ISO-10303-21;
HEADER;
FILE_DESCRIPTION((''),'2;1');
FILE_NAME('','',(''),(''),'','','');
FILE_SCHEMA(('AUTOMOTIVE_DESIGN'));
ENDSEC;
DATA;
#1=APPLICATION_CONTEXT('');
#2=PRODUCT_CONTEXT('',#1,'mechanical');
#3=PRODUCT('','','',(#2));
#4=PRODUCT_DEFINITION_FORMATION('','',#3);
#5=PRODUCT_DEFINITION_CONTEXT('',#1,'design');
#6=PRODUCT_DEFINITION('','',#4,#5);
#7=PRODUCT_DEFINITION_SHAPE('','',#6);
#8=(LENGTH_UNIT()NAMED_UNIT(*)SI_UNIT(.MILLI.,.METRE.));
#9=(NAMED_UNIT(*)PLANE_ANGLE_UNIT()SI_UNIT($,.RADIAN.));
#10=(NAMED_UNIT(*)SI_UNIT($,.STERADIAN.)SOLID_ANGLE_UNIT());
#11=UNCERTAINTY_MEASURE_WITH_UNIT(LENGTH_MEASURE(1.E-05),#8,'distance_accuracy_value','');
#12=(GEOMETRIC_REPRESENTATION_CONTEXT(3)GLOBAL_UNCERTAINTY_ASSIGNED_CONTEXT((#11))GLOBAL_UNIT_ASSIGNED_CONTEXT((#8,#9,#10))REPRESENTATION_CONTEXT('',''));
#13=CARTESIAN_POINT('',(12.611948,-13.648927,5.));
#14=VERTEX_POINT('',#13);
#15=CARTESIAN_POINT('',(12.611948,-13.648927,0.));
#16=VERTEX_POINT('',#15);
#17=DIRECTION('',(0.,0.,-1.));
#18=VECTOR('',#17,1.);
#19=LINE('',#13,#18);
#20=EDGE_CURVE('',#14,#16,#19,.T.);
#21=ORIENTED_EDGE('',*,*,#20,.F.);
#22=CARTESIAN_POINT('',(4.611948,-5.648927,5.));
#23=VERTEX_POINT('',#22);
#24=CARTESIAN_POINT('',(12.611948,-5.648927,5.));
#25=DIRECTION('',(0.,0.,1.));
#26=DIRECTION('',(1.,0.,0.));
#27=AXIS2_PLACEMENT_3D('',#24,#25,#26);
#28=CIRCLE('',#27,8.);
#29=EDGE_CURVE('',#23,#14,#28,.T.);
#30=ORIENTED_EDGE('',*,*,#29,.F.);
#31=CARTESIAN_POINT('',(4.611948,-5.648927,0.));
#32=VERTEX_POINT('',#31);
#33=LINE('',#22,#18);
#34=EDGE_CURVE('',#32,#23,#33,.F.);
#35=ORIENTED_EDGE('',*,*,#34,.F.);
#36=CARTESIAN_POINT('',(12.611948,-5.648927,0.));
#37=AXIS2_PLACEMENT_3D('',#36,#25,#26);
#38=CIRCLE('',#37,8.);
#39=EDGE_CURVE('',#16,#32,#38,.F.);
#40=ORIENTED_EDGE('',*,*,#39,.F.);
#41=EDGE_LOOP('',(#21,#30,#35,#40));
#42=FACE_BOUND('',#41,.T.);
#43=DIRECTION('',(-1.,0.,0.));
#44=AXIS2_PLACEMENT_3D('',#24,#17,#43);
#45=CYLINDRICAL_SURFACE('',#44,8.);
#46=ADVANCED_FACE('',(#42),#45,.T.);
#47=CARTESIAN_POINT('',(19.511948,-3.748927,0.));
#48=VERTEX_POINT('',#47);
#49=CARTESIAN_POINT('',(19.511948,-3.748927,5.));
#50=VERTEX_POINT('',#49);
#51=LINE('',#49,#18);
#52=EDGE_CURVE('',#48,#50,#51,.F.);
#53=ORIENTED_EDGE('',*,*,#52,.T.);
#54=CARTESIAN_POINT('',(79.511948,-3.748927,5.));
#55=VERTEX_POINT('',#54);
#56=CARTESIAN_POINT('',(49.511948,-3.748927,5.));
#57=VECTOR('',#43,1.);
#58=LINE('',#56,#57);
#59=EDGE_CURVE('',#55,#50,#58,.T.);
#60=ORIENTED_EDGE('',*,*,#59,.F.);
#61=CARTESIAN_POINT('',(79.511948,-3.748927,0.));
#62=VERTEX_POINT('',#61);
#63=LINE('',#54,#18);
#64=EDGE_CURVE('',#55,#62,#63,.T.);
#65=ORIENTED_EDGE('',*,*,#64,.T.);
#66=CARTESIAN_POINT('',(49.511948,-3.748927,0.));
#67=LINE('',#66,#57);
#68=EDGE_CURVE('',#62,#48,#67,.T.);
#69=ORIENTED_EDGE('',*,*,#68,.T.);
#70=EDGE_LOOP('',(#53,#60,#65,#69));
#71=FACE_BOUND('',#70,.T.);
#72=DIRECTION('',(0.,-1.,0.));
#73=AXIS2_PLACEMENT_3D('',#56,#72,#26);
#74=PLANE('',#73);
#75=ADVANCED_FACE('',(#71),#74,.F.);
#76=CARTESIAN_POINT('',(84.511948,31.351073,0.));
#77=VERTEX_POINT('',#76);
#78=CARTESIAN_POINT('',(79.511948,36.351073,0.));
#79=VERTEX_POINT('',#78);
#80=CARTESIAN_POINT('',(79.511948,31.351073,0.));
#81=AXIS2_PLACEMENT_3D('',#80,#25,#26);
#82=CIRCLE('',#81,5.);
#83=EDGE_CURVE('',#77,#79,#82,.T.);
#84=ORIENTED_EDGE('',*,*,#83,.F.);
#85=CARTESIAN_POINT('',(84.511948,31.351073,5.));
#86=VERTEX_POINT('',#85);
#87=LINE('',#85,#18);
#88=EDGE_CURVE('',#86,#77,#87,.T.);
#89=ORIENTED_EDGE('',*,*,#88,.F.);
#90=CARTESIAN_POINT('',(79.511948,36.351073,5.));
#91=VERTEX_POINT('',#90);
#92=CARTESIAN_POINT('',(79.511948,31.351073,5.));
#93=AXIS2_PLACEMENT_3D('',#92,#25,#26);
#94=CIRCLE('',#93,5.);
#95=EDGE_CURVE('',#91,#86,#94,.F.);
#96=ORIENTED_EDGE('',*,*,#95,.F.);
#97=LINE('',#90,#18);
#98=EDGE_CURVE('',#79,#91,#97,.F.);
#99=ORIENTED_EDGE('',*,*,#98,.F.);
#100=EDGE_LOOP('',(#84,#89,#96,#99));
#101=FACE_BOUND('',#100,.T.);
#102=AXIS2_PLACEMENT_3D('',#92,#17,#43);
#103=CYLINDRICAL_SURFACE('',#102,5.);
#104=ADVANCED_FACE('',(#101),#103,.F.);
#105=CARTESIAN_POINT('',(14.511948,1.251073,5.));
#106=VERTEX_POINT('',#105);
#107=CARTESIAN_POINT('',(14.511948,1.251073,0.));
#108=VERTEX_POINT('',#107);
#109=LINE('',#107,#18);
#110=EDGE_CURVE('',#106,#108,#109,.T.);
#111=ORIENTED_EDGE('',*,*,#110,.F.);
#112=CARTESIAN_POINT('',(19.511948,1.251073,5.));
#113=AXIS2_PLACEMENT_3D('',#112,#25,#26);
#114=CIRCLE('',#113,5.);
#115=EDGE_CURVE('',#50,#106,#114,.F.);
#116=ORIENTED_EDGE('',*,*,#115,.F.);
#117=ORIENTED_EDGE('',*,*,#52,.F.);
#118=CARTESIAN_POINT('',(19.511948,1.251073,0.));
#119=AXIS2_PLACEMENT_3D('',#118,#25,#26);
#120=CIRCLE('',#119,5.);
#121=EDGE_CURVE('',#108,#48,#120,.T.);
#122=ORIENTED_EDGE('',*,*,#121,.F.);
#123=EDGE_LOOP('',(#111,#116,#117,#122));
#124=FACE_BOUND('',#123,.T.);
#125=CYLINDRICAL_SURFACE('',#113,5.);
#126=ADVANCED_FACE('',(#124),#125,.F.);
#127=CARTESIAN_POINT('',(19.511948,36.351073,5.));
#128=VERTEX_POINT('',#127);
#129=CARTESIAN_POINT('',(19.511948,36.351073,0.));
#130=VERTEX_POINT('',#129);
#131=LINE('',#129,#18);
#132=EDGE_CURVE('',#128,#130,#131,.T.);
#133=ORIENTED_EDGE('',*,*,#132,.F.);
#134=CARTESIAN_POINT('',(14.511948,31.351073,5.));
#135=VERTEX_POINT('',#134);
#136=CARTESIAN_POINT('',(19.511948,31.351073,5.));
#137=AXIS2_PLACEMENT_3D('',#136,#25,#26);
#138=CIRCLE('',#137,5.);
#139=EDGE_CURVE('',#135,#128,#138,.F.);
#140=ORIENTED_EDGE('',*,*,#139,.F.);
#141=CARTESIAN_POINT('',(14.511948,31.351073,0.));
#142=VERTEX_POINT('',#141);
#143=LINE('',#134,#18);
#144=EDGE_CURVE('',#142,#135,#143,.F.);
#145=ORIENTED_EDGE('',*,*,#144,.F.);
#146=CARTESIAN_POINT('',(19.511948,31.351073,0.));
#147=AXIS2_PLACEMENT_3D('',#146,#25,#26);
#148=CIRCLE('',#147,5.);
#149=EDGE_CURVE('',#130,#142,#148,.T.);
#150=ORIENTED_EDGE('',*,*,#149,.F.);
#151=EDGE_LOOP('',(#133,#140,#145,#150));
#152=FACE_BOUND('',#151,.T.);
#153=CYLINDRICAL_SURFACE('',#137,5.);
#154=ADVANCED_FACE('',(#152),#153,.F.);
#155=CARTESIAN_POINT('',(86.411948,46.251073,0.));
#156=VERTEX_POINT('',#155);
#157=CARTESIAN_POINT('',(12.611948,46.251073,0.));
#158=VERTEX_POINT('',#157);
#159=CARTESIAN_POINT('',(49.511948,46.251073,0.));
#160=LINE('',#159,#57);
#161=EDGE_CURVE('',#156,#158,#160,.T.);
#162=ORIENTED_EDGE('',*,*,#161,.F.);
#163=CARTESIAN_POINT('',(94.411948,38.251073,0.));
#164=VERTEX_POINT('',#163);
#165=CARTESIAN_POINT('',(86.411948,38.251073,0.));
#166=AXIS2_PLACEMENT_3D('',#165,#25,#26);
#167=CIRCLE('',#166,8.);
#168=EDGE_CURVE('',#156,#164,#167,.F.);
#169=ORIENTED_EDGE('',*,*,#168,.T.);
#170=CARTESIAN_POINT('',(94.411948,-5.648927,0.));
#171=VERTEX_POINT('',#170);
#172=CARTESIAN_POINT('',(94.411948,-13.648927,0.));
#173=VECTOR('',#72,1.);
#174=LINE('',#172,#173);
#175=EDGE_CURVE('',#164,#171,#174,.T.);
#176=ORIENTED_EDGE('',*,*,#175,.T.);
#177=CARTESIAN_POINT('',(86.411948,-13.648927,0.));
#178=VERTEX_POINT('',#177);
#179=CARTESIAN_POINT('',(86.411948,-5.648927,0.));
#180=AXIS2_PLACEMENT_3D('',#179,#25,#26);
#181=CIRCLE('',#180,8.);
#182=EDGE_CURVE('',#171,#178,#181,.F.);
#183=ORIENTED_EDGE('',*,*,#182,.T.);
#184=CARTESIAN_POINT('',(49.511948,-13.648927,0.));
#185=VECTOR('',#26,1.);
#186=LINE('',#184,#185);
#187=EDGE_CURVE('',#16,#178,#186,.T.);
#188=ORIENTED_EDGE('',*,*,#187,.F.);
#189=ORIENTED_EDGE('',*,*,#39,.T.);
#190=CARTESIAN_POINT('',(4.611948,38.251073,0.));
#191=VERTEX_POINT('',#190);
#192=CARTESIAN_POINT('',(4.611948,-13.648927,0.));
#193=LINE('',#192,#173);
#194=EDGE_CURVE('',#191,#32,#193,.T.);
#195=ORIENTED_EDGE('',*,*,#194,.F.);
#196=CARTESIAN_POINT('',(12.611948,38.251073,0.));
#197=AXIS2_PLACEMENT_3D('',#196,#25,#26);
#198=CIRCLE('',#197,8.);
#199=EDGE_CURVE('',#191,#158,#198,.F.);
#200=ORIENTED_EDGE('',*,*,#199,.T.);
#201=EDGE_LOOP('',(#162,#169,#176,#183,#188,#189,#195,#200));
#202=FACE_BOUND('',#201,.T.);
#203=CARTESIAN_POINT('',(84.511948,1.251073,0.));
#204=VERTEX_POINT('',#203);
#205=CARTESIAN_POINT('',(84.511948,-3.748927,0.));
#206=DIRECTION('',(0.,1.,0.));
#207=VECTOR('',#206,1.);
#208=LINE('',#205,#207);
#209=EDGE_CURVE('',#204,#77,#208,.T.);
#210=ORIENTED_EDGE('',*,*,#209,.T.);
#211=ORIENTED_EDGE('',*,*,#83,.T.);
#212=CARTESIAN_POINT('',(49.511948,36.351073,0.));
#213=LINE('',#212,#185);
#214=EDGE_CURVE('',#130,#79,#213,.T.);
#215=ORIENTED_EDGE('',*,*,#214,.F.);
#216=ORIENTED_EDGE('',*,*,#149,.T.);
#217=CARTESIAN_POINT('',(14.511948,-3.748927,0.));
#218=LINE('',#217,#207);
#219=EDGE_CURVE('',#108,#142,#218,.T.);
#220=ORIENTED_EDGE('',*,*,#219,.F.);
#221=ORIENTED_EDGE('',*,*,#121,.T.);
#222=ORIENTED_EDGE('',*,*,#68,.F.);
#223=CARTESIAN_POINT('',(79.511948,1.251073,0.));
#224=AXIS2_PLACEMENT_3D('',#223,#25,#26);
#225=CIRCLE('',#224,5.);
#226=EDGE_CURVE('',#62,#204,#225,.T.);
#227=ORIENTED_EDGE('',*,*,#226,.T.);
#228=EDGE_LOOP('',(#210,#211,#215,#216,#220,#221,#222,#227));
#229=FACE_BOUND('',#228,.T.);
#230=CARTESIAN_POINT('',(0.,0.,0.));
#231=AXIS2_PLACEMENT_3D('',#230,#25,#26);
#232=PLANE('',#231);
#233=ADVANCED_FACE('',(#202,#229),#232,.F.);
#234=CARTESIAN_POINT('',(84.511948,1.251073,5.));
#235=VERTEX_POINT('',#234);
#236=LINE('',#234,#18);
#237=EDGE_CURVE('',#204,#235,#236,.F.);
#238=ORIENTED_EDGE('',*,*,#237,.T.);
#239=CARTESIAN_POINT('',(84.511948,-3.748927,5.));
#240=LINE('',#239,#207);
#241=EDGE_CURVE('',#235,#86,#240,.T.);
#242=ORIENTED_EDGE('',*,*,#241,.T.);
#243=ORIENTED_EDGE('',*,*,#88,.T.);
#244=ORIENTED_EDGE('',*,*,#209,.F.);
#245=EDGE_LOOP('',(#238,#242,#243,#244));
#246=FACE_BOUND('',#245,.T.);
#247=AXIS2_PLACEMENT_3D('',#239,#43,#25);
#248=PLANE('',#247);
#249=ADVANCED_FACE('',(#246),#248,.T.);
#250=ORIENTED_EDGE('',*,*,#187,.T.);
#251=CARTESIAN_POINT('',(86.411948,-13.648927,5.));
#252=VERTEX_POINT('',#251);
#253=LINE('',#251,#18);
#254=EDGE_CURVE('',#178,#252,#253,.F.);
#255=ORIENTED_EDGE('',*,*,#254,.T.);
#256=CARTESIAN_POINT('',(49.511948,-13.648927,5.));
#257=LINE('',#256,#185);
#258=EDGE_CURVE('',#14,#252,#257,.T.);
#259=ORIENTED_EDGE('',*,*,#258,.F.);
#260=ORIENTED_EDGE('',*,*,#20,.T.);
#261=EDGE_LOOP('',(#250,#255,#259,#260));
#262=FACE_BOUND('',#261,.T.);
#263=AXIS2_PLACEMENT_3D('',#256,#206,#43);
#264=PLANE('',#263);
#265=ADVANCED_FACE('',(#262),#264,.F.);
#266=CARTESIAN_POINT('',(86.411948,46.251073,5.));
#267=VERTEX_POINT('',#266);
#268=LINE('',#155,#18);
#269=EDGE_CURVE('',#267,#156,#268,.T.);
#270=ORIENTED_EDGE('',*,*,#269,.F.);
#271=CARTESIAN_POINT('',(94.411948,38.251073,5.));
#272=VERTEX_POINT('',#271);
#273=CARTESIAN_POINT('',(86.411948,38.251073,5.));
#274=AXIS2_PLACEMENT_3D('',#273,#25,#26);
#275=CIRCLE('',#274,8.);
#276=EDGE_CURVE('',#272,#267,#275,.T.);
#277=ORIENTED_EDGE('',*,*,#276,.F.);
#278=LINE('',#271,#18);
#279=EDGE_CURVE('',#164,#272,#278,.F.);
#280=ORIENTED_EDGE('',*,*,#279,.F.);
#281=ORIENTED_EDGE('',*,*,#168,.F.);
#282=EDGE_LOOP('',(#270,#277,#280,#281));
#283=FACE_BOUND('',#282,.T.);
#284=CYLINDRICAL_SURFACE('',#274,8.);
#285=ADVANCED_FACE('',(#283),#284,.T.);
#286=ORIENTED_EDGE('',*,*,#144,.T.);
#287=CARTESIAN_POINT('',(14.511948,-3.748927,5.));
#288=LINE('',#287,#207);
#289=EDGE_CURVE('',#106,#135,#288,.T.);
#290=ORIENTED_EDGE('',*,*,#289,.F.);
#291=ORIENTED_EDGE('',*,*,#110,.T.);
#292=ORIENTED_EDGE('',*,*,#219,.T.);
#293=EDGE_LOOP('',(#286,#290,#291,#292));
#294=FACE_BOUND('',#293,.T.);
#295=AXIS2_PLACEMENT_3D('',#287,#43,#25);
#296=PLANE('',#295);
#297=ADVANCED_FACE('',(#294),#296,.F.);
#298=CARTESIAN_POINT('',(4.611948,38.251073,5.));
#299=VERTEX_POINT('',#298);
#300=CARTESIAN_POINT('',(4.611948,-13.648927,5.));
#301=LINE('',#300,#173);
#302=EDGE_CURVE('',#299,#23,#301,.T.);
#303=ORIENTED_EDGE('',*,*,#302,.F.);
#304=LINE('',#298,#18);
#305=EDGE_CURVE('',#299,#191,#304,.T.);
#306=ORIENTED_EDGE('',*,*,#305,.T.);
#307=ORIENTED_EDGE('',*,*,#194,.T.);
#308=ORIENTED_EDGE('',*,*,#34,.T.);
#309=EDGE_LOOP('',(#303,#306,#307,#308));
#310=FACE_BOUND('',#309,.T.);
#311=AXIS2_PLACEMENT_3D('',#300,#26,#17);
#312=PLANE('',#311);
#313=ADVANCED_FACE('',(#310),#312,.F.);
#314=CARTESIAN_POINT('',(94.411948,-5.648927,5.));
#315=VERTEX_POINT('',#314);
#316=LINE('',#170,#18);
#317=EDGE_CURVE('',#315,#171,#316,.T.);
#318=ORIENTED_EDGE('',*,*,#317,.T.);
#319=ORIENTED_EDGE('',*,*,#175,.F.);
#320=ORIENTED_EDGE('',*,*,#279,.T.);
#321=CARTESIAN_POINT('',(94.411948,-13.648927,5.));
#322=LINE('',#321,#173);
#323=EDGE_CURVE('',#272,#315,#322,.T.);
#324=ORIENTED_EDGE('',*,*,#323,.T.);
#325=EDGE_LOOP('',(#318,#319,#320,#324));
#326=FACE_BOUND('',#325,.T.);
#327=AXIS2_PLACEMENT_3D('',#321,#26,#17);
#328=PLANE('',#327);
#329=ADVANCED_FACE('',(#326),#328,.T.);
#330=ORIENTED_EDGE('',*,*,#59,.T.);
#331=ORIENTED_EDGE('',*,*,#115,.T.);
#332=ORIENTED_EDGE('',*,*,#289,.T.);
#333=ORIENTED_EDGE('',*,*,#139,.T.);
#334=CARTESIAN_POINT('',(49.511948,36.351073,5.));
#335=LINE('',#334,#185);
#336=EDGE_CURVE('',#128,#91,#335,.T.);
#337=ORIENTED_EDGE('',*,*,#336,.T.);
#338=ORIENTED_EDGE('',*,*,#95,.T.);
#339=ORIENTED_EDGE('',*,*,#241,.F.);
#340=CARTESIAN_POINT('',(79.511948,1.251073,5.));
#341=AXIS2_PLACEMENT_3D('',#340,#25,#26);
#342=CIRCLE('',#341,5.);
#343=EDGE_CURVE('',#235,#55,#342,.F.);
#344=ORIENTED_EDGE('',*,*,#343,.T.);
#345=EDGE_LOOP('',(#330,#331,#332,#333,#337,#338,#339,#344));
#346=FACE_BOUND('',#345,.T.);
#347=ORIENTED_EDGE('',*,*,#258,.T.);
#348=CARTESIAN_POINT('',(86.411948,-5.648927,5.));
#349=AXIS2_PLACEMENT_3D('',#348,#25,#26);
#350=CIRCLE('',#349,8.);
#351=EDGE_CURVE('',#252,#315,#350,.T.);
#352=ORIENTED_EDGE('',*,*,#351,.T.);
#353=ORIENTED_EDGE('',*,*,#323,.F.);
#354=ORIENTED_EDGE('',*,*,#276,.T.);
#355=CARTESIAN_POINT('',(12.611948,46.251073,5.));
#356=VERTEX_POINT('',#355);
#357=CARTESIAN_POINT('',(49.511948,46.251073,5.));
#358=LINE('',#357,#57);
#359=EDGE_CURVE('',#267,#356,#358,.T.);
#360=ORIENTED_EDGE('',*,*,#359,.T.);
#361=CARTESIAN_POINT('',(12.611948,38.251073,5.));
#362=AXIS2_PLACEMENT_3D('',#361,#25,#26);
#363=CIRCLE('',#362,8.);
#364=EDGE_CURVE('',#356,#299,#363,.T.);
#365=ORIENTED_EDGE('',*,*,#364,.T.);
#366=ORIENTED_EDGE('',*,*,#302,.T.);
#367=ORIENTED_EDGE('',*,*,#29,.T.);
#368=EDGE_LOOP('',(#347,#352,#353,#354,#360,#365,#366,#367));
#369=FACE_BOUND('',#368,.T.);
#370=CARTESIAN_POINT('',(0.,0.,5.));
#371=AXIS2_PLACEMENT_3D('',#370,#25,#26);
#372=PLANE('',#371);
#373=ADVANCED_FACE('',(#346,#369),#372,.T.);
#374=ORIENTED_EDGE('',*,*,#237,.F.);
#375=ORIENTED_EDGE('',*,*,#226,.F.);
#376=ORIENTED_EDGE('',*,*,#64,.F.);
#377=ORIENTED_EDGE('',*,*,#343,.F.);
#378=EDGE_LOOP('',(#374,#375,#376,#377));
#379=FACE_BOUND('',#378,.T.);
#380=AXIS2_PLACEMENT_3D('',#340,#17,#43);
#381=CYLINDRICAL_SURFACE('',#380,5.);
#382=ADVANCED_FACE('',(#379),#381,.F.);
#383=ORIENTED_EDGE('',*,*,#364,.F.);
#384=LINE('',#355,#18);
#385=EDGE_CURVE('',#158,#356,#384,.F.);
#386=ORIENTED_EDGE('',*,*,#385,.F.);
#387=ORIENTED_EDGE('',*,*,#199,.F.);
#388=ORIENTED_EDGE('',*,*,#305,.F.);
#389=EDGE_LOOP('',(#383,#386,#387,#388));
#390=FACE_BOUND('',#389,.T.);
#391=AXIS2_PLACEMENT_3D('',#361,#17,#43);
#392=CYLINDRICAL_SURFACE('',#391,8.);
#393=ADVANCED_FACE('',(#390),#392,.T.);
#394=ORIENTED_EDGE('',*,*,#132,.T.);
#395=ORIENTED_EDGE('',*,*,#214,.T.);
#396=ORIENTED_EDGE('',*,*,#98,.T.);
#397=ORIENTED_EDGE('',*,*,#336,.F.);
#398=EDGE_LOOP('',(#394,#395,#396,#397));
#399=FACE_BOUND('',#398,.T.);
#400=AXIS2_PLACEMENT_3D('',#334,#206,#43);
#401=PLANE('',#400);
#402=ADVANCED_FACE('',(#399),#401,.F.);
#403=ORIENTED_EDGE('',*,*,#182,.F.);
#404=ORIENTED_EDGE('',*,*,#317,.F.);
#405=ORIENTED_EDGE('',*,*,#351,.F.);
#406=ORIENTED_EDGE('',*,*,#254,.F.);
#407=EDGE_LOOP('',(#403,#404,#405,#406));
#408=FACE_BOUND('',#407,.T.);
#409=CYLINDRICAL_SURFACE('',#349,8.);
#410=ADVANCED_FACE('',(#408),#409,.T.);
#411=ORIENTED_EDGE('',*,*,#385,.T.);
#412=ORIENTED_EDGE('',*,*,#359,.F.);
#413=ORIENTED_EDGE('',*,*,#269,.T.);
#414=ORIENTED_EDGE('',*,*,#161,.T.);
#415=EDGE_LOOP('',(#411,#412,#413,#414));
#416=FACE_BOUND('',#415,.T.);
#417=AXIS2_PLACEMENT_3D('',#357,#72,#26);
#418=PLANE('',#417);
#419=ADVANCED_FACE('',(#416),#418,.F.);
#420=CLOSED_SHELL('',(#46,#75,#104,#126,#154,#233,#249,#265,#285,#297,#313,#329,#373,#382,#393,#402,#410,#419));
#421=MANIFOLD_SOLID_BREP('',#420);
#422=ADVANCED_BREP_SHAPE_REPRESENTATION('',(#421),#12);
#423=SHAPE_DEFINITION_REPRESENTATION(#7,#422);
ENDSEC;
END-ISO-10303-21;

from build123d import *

# Parameters (mm, degrees)
BOSS_EXTRUDE1_DEPTH = 5
FILLET1_R           = 8
FILLET3_R           = 5


with BuildPart() as part:
    # Sketch1 → Boss-Extrude1 (new body)
    with BuildSketch(Plane.XY):
        Polygon((49.511947656, -13.648927203), (4.611947656, -13.648927203), (4.611947656, 46.251072797), (49.511947656, 46.251072797), (49.511947656, 36.351072797), (14.511947656, 36.351072797), (14.511947656, -3.748927203), (49.511947656, -3.748927203), align=None)
    boss_extrude1 = extrude(amount=BOSS_EXTRUDE1_DEPTH)

    # Mirror1: Boss-Extrude1 across plane
    add(boss_extrude1.mirror(Plane(origin=(49.511947656, 0, 0), x_dir=(0, 0, 1), z_dir=(1, 0, 0))))

    # Fillet1
    fillet1_edges = [part.edges().sort_by_distance(p)[0] for p in [
        (4.611947656, -13.648927203, 2.5),
        (4.611947656, 46.251072797, 2.5),
        (94.411947656, -13.648927203, 2.5),
        (94.411947656, 46.251072797, 2.5),
    ]]
    fillet(fillet1_edges, radius=FILLET1_R)

    # Fillet3
    fillet3_edges = [part.edges().sort_by_distance(p)[0] for p in [
        (14.511947656, 36.351072797, 2.5),
        (14.511947656, -3.748927203, 2.5),
        (84.511947656, 36.351072797, 2.5),
        (84.511947656, -3.748927203, 2.5),
    ]]
    fillet(fillet3_edges, radius=FILLET3_R)


solid = part.part
